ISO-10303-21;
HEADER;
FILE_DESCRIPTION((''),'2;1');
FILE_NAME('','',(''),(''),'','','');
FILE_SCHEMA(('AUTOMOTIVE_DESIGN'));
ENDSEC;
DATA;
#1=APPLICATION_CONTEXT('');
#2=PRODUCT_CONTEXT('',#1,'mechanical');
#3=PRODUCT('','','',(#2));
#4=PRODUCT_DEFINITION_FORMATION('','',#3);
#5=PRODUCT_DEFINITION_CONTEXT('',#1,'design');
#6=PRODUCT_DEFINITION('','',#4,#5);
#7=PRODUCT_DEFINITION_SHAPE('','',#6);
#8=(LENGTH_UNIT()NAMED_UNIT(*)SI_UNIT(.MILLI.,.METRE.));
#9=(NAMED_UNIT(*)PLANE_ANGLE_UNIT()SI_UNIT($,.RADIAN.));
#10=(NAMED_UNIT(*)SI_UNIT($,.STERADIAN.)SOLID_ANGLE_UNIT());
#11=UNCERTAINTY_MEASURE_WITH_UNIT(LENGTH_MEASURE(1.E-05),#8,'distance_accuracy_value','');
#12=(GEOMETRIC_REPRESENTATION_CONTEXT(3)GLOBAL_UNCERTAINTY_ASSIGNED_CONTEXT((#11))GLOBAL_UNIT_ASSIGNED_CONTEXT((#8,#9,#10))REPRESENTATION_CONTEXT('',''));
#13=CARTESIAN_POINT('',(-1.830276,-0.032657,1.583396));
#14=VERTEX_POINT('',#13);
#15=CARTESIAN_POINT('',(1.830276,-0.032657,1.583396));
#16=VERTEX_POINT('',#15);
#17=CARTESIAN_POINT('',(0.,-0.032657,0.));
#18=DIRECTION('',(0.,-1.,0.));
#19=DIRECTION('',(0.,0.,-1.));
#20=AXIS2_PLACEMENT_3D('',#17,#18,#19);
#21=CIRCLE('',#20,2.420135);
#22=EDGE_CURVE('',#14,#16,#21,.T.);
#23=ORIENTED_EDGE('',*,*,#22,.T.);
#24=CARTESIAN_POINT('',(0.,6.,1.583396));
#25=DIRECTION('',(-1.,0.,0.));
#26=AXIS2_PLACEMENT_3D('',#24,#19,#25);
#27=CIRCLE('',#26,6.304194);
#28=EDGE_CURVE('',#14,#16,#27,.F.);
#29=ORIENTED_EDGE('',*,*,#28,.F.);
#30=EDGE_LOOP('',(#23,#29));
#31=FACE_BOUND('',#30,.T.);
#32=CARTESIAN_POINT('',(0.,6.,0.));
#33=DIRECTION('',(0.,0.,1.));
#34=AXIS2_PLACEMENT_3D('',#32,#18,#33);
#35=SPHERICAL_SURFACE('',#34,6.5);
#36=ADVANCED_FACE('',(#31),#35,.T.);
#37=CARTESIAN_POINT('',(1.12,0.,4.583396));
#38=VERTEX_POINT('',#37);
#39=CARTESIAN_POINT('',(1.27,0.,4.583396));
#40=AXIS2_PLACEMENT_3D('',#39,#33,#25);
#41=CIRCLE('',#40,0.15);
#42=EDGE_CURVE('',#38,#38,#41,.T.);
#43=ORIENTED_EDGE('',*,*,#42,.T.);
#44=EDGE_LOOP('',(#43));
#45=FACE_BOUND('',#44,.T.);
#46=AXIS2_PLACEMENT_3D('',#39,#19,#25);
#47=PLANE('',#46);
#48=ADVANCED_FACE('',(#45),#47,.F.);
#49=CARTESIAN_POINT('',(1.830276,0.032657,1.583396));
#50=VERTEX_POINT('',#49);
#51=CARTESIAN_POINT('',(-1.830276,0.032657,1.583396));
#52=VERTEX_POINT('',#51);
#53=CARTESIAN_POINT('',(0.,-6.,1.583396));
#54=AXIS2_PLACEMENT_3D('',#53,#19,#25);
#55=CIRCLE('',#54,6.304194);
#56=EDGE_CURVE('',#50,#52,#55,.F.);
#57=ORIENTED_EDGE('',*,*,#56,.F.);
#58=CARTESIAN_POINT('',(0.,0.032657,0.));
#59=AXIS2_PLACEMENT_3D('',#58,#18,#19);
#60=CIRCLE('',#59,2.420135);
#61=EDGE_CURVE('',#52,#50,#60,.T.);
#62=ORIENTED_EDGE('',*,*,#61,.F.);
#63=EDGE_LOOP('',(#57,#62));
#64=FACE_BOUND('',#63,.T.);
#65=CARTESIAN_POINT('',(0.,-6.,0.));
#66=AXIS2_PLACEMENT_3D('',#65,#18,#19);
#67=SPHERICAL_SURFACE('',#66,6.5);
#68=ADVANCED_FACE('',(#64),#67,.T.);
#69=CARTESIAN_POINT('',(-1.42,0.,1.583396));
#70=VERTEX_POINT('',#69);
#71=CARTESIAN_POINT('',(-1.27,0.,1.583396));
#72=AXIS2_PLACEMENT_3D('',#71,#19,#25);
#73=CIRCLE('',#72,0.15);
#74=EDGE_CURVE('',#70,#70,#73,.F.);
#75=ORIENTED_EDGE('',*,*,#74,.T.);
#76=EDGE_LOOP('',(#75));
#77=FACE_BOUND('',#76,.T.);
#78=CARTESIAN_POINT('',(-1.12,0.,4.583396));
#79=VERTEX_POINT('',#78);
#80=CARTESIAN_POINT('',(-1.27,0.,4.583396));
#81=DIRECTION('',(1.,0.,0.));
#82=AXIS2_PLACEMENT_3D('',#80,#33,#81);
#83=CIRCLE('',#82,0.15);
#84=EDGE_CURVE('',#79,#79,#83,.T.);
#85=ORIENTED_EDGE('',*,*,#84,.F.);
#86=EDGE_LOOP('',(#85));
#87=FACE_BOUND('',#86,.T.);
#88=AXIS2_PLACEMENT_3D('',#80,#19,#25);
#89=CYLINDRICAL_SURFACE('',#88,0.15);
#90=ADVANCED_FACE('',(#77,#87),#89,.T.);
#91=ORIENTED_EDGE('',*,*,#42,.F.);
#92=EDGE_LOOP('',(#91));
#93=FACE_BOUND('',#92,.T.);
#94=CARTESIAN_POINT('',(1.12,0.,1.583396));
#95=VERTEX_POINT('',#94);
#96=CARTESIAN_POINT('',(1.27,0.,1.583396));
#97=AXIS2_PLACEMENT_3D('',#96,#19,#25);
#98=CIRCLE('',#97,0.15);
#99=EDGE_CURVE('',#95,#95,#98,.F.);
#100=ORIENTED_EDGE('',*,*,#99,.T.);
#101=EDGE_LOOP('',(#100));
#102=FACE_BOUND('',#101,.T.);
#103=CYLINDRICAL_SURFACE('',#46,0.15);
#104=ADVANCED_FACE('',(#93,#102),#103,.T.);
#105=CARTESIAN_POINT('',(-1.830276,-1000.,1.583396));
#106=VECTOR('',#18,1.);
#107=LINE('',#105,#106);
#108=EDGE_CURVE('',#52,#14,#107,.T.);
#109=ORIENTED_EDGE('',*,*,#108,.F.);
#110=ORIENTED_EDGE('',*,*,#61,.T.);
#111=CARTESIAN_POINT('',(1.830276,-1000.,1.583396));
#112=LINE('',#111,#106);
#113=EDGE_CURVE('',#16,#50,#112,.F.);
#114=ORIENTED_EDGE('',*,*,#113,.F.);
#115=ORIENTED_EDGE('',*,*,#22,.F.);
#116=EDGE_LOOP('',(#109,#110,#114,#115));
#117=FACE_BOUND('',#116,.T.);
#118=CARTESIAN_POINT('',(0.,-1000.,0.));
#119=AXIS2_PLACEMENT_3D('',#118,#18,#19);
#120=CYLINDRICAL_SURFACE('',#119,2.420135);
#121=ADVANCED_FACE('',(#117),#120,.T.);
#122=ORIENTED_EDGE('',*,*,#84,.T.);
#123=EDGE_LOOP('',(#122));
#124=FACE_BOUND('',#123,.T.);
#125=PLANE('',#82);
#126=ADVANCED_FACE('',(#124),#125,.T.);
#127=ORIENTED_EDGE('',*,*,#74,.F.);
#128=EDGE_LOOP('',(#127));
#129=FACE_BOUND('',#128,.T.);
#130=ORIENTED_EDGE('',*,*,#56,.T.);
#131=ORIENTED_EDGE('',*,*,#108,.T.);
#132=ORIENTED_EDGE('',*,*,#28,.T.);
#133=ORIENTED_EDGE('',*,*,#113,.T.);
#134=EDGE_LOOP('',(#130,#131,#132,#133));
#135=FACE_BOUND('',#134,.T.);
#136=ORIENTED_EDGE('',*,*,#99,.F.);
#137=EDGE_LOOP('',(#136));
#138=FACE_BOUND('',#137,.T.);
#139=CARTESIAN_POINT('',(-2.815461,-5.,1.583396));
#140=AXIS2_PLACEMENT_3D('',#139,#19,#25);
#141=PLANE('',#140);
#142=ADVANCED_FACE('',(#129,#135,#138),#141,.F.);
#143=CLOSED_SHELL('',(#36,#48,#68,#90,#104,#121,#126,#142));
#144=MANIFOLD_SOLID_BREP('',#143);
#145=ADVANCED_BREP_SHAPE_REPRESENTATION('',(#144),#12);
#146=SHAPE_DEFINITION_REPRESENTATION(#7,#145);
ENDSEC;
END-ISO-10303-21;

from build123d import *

# Parameters (mm, degrees)
SKETCH_3_W          = 5.794555575
SKETCH_3_H          = 0.933674237
CUT_EXTRUDE_1_DEPTH = 5
SKETCH_4_R          = 0.15
EXTRUDE_1_DEPTH     = 3


with BuildPart() as part:
    # 草图1 → 旋转1 (revolve)
    with BuildSketch(Plane(origin=(0, 0, 0), x_dir=(0, 0, -1), z_dir=(1, 0, 0))):
        with BuildLine():
            Line((0, 0.5), (0, -0.5))
            ThreePointArc((0, -0.5), (1.232422751, -0.38209481), (2.420135029, -0.032656665))
            Line((2.420135029, -0.032656665), (2.420135029, 0.032656665))
            ThreePointArc((2.420135029, 0.032656665), (1.232422751, 0.38209481), (0, 0.5))
        make_face()
    revolve(axis=Axis((0, -1000, 0), (0, 1, 0)))

    # 草图3 → 切除-拉伸1 (cut, symmetric)
    with BuildSketch(Plane(origin=(0, 0, 0), x_dir=(1, 0, 0), z_dir=(0, 1, 0))):
        with Locations((0.081816815, -2.050233119)):
            Rectangle(SKETCH_3_W, SKETCH_3_H)
    extrude(amount=CUT_EXTRUDE_1_DEPTH, both=True, mode=Mode.SUBTRACT)

    # 草图4 → 凸台-拉伸1 (add)
    with BuildSketch(Plane.XY.offset(1.583396)):
        with Locations(Location((-1.27, 0, 0), (0, 0, 180))):
            Circle(SKETCH_4_R)
        with Locations(Location((1.27, 0, 0), (0, 0, 180))):
            Circle(SKETCH_4_R)
    extrude(amount=EXTRUDE_1_DEPTH)


solid = part.part
